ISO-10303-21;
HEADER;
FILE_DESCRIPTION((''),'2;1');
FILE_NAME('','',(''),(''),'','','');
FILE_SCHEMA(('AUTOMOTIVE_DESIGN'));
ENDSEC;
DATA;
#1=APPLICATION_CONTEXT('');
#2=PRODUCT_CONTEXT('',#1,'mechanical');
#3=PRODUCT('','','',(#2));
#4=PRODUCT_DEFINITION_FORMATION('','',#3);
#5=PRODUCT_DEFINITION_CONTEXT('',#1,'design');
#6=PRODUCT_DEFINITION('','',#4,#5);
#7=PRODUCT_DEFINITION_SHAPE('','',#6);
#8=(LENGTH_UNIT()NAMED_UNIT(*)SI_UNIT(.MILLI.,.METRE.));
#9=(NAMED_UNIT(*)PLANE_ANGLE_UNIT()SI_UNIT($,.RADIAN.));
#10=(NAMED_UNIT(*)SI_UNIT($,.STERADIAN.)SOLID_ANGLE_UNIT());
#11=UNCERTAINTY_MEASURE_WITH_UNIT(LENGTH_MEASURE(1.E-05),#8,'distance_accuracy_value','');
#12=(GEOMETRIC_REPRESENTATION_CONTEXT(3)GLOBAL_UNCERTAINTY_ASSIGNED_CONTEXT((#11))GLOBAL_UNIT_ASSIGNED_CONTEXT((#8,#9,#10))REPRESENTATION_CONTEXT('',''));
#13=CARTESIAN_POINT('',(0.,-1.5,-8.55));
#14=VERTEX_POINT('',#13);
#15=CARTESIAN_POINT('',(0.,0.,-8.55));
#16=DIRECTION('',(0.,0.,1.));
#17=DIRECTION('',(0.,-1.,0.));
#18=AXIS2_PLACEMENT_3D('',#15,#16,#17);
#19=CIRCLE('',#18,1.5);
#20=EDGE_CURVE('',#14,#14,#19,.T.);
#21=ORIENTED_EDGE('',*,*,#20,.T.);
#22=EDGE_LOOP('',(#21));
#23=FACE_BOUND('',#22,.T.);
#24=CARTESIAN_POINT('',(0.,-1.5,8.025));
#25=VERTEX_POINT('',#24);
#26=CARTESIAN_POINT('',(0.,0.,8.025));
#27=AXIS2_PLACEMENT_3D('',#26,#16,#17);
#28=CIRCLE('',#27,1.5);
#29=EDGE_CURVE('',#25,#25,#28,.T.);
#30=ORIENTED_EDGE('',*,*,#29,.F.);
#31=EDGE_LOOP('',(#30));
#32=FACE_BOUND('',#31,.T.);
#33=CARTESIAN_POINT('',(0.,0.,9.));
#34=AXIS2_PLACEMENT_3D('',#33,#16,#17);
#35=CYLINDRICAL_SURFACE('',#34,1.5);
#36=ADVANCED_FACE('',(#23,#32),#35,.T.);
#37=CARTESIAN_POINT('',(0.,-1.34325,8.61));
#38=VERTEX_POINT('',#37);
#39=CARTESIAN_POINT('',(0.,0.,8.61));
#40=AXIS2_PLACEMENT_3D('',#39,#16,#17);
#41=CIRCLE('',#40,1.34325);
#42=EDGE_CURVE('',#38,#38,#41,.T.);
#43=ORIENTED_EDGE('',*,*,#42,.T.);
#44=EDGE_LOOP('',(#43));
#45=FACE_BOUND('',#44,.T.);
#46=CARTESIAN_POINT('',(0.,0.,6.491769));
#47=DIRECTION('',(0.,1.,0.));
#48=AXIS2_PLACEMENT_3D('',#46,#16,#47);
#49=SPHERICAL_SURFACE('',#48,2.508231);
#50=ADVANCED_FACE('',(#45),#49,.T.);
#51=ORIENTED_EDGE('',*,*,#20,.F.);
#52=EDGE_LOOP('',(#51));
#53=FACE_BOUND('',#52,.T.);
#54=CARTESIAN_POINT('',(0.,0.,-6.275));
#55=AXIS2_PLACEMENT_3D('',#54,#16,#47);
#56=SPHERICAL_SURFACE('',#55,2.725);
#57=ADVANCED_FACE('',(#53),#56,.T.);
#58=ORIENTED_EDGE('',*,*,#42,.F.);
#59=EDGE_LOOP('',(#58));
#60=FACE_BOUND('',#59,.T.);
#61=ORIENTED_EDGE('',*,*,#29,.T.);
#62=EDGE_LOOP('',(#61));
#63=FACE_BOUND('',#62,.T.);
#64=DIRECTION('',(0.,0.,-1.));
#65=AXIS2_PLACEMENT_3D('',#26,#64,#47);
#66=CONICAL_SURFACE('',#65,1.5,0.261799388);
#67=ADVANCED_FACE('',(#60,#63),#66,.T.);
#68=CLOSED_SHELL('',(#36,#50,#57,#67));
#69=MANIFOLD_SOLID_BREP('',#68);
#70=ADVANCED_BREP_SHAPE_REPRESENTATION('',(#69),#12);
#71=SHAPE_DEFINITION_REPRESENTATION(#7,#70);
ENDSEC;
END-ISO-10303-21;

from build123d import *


with BuildPart() as part:
    # Sketch3 → Revolve1 (revolve)
    with BuildSketch(Plane(origin=(0, 0, 0), x_dir=(0, 0, -1), z_dir=(1, 0, 0))):
        with BuildLine():
            Line((-9, 0), (9, 0))
            ThreePointArc((9, 0), (8.885076627, 0.783022988), (8.55, 1.5))
            Line((8.55, 1.5), (-8.025, 1.5))
            Line((-8.025, 1.5), (-8.61, 1.343249722))
            ThreePointArc((-8.61, 1.343249722), (-8.90052754, 0.699360389), (-9, 0))
        make_face()
    revolve(axis=Axis((0, 0, 9), (0, 0, -1)))


solid = part.part
